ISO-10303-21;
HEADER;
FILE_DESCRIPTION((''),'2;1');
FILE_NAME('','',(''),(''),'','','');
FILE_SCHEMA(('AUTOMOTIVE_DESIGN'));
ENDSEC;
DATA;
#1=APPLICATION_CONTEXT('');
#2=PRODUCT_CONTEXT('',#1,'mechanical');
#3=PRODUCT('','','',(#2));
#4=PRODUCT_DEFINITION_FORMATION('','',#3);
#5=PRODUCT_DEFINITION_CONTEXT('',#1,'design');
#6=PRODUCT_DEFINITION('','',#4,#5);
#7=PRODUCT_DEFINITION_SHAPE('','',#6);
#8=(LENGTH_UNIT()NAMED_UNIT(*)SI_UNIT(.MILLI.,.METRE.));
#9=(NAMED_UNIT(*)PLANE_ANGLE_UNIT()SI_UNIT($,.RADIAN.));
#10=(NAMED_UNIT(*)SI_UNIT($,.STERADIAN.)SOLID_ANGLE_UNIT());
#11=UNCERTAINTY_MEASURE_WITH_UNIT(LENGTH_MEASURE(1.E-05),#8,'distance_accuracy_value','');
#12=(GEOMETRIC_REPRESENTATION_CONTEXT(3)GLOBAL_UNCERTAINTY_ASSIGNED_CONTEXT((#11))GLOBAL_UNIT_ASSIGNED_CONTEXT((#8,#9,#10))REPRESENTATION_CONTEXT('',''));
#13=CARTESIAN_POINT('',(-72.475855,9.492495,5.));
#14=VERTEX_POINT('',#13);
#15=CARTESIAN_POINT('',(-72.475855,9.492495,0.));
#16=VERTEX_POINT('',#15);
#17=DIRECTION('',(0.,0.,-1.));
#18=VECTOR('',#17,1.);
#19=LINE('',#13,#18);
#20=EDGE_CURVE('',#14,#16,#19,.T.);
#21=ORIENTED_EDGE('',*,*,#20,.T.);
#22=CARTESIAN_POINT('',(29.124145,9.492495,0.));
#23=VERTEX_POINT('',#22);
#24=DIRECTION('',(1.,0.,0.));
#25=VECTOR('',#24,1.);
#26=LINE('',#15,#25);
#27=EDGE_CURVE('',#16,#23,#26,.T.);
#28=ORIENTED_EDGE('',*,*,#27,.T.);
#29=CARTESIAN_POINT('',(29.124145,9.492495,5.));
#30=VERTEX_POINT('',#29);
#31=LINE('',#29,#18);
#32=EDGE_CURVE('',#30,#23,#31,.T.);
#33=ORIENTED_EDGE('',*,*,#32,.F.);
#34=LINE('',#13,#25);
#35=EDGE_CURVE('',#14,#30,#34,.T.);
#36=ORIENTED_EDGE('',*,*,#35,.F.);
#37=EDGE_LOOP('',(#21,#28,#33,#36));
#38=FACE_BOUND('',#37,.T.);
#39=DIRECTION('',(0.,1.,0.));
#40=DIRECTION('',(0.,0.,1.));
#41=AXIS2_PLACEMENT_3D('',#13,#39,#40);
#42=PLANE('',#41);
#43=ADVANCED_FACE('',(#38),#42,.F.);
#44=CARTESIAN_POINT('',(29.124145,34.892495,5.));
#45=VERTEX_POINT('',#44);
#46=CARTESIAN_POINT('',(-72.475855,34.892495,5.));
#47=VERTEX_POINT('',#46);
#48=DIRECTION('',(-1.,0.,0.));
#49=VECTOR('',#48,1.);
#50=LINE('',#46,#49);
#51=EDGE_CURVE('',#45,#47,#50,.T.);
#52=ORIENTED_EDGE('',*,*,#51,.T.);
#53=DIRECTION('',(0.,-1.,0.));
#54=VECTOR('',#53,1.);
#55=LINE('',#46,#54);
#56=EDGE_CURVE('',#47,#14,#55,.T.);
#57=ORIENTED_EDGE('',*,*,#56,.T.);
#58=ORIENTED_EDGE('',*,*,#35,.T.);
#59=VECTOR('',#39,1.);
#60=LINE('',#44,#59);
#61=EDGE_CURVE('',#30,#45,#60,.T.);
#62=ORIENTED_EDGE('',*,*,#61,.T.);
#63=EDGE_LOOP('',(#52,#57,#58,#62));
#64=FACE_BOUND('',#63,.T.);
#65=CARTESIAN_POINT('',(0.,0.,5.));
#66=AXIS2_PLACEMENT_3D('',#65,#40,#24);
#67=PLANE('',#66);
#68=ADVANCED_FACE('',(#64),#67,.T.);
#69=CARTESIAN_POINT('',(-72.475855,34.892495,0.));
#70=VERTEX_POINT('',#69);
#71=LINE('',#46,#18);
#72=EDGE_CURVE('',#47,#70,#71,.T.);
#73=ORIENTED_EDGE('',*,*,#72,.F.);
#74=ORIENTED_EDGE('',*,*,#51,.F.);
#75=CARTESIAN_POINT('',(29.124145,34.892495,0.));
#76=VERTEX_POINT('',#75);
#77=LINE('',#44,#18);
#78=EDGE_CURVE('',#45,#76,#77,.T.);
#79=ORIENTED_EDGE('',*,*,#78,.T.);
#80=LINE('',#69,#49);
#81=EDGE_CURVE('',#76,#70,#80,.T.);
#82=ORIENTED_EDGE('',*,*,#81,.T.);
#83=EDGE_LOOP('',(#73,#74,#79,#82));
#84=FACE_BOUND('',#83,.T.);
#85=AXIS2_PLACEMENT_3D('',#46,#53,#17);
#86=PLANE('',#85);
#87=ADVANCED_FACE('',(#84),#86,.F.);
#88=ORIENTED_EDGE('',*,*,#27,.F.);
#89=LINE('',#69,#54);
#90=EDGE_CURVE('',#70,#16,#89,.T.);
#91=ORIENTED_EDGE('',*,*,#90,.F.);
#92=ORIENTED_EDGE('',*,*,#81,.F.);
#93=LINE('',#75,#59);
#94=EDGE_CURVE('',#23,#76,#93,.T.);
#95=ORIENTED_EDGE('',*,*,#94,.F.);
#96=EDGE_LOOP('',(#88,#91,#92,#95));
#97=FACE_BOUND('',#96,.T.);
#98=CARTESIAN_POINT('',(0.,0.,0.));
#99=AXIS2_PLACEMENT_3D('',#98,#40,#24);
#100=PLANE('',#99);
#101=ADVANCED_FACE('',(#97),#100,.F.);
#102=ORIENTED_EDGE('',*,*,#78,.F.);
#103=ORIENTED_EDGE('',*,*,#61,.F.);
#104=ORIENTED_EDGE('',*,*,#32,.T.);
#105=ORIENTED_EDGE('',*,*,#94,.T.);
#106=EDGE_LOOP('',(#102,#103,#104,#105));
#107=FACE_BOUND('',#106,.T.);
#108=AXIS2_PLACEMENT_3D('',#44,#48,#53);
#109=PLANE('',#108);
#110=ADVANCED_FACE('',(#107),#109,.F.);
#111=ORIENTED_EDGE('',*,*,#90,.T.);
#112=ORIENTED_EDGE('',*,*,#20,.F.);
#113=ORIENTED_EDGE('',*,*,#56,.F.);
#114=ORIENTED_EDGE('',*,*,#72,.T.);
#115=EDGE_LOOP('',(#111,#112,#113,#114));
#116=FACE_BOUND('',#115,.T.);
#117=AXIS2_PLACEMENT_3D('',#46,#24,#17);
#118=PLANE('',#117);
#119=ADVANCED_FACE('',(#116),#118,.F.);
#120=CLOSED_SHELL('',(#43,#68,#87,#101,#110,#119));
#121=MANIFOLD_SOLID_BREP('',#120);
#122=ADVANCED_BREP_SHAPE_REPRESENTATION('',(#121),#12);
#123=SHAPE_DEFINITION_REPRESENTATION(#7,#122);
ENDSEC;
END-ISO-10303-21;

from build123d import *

# Parameters (mm, degrees)
SKETCH1_W           = 101.6
SKETCH1_H           = 25.4
BOSS_EXTRUDE1_DEPTH = 5


with BuildPart() as part:
    # Sketch1 → Boss-Extrude1 (new body)
    with BuildSketch(Plane.XY):
        with Locations((-21.675854902, 22.192494964)):
            Rectangle(SKETCH1_W, SKETCH1_H)
    extrude(amount=BOSS_EXTRUDE1_DEPTH)


solid = part.part
